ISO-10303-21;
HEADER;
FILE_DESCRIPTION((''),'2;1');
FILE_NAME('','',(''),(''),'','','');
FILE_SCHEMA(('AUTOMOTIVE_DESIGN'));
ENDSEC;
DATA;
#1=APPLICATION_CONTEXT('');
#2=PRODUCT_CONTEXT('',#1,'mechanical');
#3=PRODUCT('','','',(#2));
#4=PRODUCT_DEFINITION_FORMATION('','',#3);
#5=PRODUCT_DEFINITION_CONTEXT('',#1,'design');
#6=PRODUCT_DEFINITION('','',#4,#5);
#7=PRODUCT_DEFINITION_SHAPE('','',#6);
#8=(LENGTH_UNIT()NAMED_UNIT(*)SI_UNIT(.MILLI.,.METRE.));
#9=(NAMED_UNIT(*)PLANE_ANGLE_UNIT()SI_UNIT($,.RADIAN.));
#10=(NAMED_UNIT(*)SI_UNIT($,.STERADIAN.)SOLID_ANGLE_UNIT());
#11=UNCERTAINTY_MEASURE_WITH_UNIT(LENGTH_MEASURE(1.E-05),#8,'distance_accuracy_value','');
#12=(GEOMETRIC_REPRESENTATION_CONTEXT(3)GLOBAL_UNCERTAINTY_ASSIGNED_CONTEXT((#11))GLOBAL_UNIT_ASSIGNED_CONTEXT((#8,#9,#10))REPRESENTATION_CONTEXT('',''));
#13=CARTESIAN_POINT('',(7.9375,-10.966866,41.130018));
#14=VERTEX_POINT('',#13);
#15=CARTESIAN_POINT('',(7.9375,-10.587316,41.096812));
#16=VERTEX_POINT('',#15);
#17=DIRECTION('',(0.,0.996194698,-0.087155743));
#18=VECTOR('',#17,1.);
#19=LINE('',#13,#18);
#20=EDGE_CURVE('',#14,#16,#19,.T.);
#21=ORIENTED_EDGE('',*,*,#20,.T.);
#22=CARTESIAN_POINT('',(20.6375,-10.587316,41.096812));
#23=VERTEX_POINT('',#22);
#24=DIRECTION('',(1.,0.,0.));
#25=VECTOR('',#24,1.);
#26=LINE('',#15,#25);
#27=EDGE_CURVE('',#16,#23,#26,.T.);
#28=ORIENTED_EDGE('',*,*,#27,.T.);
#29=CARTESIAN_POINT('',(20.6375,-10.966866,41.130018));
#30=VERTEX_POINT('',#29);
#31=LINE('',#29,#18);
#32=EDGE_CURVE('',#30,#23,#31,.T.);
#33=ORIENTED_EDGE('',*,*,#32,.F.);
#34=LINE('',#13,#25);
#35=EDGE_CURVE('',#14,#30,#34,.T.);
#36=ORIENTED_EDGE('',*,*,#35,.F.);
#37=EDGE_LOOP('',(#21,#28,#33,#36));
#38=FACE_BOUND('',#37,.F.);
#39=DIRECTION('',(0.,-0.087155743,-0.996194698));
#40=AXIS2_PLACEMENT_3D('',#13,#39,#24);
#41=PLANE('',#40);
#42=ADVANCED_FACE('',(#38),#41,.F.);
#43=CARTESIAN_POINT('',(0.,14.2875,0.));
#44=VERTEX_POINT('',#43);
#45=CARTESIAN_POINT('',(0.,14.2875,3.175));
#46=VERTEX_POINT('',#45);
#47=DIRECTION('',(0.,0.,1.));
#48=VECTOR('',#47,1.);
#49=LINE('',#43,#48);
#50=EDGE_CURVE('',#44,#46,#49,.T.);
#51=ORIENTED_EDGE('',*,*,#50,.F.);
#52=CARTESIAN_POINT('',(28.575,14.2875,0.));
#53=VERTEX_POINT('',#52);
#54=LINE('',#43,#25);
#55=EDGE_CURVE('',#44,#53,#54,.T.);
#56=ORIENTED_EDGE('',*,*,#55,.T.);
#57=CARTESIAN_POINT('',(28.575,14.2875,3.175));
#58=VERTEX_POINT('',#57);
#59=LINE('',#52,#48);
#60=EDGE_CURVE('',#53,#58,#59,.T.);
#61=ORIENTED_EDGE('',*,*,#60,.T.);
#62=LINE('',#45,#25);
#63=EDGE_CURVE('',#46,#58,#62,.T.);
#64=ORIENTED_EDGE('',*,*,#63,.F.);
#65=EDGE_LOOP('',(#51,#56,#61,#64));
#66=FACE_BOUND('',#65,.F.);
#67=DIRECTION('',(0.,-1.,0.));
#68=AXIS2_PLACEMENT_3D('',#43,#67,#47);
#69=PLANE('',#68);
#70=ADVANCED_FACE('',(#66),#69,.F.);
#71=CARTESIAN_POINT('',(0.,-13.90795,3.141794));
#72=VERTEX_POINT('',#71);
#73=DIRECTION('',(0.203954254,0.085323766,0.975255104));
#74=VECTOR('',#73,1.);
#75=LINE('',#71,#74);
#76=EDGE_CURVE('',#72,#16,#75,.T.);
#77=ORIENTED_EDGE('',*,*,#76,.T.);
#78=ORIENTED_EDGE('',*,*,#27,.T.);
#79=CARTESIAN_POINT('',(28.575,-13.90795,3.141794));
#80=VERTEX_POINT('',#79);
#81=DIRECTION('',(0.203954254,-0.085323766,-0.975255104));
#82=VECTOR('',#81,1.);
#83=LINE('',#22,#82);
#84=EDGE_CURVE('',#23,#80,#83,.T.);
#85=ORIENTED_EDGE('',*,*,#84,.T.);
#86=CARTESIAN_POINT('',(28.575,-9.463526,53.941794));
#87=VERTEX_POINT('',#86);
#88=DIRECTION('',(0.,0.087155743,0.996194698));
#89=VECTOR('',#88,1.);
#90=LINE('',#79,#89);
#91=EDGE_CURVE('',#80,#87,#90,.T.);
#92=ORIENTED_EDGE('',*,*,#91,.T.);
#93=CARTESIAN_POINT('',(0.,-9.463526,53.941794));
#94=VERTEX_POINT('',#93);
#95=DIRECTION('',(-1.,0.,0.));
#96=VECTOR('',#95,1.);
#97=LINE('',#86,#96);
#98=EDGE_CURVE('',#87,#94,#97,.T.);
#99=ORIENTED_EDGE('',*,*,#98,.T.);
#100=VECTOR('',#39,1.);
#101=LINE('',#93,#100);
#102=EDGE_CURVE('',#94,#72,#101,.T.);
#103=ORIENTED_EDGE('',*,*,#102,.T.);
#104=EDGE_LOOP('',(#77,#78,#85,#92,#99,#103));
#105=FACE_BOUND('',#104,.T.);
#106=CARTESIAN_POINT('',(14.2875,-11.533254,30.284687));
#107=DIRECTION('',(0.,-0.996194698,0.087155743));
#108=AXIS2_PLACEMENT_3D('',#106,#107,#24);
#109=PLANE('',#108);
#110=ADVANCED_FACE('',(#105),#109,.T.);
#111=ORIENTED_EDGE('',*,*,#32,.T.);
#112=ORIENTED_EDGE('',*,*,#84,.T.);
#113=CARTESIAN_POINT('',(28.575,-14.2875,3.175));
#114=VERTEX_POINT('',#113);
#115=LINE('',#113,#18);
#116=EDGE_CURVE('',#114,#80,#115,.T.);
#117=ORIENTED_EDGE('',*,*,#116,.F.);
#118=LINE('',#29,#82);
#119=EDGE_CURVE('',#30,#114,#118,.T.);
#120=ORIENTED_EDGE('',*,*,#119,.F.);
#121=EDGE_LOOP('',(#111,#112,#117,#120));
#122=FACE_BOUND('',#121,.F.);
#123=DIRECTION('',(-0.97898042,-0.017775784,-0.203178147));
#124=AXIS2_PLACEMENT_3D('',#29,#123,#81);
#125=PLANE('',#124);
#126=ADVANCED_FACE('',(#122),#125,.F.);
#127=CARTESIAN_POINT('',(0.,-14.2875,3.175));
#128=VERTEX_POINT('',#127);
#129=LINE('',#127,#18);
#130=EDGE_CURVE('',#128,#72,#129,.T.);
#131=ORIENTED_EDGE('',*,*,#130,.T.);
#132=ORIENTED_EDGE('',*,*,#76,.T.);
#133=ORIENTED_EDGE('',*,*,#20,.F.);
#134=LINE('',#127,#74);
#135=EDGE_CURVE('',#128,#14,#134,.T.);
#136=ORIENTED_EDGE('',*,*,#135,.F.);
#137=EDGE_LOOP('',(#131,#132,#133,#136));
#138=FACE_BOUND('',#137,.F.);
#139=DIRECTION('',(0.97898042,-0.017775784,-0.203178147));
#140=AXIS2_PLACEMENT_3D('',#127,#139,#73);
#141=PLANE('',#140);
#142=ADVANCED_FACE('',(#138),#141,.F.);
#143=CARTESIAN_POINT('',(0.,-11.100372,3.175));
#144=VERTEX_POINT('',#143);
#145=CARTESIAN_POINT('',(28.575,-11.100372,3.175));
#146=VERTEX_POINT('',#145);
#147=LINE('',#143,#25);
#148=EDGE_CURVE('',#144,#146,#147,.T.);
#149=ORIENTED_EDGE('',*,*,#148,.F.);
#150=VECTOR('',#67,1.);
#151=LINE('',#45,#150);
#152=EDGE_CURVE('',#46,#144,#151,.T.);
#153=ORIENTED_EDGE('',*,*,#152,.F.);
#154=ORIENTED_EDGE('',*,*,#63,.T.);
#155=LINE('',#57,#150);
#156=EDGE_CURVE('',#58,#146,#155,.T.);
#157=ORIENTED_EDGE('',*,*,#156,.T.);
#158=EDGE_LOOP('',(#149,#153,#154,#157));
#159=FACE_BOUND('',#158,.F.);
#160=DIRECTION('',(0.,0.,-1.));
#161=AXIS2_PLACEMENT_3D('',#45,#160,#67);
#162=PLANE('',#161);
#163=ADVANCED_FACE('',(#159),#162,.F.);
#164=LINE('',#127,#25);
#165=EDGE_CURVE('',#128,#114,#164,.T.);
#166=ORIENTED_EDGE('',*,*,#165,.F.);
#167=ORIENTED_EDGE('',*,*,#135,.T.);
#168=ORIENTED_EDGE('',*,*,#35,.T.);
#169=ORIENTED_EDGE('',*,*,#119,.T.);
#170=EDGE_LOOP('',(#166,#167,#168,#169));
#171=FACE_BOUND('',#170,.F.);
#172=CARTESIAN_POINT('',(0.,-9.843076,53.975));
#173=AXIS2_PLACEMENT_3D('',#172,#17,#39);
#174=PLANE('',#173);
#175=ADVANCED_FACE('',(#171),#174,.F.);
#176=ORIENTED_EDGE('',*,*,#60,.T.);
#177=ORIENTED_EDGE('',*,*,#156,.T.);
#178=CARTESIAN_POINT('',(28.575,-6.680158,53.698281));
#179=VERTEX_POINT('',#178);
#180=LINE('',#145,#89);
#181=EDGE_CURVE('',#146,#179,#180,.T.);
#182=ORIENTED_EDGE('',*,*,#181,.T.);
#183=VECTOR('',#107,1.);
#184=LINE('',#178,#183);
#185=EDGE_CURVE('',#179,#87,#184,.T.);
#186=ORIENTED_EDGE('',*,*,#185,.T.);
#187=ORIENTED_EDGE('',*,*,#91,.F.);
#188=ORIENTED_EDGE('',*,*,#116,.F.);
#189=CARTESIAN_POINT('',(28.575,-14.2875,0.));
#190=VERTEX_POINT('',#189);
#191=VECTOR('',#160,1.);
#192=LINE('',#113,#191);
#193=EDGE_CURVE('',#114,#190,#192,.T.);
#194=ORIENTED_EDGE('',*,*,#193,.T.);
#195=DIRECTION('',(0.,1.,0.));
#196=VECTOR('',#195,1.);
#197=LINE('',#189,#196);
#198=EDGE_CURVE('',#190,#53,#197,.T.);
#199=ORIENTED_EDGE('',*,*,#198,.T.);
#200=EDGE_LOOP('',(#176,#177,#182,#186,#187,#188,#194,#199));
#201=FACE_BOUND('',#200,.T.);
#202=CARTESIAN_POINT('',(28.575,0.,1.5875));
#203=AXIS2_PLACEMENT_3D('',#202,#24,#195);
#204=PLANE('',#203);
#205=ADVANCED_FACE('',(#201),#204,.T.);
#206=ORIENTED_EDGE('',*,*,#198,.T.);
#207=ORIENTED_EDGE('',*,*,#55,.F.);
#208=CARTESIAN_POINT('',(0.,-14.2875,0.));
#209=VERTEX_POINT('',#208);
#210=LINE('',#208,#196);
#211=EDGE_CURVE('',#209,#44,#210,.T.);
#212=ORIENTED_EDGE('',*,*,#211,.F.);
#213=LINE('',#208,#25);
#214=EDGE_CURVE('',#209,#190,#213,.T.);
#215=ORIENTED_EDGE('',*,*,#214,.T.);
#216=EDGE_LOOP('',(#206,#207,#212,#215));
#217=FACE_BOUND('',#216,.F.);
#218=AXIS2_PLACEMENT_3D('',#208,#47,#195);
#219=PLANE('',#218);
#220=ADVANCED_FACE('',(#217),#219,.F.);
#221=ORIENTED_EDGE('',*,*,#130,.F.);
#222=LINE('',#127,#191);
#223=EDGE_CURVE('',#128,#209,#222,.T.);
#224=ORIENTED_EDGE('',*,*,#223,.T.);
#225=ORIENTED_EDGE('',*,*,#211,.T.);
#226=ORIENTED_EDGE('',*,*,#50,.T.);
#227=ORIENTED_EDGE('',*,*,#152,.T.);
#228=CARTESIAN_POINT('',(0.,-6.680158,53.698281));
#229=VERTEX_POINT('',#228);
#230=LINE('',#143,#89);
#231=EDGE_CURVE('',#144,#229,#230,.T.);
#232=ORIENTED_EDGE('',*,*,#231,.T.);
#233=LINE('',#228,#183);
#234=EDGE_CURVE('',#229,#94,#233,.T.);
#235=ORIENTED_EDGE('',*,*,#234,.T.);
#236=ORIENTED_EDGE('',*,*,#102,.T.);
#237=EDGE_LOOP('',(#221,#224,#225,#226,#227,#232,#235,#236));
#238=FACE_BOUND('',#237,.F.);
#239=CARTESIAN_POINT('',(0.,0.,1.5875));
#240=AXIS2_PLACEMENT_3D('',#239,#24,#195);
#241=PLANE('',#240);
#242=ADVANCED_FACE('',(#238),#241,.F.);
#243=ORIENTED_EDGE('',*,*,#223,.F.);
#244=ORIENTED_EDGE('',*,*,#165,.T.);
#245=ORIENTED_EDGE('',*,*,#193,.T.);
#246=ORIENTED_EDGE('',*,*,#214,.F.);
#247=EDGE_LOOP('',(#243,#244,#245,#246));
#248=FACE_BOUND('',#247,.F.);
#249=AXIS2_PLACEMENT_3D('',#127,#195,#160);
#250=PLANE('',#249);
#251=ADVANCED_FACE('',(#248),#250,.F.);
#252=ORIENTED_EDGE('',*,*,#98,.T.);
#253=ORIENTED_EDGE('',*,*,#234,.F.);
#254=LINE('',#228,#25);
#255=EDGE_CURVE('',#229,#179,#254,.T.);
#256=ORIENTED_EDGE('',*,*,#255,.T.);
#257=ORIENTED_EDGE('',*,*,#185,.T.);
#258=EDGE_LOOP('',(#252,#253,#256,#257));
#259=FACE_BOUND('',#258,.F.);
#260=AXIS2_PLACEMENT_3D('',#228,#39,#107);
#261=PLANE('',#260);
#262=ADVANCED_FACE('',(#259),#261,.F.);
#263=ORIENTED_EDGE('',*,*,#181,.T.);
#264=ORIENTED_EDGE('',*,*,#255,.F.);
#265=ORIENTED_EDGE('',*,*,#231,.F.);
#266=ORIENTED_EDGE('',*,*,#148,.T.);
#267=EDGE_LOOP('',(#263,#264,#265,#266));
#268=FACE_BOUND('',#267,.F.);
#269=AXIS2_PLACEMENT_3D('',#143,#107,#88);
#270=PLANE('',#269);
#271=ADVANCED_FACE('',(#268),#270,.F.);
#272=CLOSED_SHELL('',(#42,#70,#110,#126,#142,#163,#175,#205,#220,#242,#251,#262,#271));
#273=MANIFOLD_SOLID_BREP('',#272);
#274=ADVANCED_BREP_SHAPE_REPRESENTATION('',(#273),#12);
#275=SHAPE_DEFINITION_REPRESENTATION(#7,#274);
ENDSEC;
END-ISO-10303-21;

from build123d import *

# Parameters (mm, degrees)
F1_DEPTH = 28.575
F3_DEPTH = 0.381


with BuildPart() as f1:
    # F0 (on Right) → F1 (new body)
    with BuildSketch(Plane.YZ):
        Polygon((-14.2875, 3.175), (-14.2875, 0), (14.2875, 0), (14.2875, 3.175), (-11.1003720158, 3.175), align=None)
        Polygon((-9.8430758929, 53.975), (-14.2875, 3.175), (-11.1003720158, 3.175), (-6.6801577264, 53.6982805168), align=None)
    extrude(amount=F1_DEPTH)

    # F2 (on face) → F3 (cut)
    with BuildSketch(Plane(origin=(0, -14.4546368676, 1.2646168613), x_dir=(1, 0, 0), z_dir=(0, -0.9961946981, 0.0871557427))):
        Polygon((0, 1.9176804919), (7.9375, 40.0176804919), (20.6375, 40.0176804919), (28.575, 1.9176804919), (28.575, 52.9117282391), (0, 52.9117282391), align=None)
    extrude(amount=-F3_DEPTH, mode=Mode.SUBTRACT)


solid = f1.part
